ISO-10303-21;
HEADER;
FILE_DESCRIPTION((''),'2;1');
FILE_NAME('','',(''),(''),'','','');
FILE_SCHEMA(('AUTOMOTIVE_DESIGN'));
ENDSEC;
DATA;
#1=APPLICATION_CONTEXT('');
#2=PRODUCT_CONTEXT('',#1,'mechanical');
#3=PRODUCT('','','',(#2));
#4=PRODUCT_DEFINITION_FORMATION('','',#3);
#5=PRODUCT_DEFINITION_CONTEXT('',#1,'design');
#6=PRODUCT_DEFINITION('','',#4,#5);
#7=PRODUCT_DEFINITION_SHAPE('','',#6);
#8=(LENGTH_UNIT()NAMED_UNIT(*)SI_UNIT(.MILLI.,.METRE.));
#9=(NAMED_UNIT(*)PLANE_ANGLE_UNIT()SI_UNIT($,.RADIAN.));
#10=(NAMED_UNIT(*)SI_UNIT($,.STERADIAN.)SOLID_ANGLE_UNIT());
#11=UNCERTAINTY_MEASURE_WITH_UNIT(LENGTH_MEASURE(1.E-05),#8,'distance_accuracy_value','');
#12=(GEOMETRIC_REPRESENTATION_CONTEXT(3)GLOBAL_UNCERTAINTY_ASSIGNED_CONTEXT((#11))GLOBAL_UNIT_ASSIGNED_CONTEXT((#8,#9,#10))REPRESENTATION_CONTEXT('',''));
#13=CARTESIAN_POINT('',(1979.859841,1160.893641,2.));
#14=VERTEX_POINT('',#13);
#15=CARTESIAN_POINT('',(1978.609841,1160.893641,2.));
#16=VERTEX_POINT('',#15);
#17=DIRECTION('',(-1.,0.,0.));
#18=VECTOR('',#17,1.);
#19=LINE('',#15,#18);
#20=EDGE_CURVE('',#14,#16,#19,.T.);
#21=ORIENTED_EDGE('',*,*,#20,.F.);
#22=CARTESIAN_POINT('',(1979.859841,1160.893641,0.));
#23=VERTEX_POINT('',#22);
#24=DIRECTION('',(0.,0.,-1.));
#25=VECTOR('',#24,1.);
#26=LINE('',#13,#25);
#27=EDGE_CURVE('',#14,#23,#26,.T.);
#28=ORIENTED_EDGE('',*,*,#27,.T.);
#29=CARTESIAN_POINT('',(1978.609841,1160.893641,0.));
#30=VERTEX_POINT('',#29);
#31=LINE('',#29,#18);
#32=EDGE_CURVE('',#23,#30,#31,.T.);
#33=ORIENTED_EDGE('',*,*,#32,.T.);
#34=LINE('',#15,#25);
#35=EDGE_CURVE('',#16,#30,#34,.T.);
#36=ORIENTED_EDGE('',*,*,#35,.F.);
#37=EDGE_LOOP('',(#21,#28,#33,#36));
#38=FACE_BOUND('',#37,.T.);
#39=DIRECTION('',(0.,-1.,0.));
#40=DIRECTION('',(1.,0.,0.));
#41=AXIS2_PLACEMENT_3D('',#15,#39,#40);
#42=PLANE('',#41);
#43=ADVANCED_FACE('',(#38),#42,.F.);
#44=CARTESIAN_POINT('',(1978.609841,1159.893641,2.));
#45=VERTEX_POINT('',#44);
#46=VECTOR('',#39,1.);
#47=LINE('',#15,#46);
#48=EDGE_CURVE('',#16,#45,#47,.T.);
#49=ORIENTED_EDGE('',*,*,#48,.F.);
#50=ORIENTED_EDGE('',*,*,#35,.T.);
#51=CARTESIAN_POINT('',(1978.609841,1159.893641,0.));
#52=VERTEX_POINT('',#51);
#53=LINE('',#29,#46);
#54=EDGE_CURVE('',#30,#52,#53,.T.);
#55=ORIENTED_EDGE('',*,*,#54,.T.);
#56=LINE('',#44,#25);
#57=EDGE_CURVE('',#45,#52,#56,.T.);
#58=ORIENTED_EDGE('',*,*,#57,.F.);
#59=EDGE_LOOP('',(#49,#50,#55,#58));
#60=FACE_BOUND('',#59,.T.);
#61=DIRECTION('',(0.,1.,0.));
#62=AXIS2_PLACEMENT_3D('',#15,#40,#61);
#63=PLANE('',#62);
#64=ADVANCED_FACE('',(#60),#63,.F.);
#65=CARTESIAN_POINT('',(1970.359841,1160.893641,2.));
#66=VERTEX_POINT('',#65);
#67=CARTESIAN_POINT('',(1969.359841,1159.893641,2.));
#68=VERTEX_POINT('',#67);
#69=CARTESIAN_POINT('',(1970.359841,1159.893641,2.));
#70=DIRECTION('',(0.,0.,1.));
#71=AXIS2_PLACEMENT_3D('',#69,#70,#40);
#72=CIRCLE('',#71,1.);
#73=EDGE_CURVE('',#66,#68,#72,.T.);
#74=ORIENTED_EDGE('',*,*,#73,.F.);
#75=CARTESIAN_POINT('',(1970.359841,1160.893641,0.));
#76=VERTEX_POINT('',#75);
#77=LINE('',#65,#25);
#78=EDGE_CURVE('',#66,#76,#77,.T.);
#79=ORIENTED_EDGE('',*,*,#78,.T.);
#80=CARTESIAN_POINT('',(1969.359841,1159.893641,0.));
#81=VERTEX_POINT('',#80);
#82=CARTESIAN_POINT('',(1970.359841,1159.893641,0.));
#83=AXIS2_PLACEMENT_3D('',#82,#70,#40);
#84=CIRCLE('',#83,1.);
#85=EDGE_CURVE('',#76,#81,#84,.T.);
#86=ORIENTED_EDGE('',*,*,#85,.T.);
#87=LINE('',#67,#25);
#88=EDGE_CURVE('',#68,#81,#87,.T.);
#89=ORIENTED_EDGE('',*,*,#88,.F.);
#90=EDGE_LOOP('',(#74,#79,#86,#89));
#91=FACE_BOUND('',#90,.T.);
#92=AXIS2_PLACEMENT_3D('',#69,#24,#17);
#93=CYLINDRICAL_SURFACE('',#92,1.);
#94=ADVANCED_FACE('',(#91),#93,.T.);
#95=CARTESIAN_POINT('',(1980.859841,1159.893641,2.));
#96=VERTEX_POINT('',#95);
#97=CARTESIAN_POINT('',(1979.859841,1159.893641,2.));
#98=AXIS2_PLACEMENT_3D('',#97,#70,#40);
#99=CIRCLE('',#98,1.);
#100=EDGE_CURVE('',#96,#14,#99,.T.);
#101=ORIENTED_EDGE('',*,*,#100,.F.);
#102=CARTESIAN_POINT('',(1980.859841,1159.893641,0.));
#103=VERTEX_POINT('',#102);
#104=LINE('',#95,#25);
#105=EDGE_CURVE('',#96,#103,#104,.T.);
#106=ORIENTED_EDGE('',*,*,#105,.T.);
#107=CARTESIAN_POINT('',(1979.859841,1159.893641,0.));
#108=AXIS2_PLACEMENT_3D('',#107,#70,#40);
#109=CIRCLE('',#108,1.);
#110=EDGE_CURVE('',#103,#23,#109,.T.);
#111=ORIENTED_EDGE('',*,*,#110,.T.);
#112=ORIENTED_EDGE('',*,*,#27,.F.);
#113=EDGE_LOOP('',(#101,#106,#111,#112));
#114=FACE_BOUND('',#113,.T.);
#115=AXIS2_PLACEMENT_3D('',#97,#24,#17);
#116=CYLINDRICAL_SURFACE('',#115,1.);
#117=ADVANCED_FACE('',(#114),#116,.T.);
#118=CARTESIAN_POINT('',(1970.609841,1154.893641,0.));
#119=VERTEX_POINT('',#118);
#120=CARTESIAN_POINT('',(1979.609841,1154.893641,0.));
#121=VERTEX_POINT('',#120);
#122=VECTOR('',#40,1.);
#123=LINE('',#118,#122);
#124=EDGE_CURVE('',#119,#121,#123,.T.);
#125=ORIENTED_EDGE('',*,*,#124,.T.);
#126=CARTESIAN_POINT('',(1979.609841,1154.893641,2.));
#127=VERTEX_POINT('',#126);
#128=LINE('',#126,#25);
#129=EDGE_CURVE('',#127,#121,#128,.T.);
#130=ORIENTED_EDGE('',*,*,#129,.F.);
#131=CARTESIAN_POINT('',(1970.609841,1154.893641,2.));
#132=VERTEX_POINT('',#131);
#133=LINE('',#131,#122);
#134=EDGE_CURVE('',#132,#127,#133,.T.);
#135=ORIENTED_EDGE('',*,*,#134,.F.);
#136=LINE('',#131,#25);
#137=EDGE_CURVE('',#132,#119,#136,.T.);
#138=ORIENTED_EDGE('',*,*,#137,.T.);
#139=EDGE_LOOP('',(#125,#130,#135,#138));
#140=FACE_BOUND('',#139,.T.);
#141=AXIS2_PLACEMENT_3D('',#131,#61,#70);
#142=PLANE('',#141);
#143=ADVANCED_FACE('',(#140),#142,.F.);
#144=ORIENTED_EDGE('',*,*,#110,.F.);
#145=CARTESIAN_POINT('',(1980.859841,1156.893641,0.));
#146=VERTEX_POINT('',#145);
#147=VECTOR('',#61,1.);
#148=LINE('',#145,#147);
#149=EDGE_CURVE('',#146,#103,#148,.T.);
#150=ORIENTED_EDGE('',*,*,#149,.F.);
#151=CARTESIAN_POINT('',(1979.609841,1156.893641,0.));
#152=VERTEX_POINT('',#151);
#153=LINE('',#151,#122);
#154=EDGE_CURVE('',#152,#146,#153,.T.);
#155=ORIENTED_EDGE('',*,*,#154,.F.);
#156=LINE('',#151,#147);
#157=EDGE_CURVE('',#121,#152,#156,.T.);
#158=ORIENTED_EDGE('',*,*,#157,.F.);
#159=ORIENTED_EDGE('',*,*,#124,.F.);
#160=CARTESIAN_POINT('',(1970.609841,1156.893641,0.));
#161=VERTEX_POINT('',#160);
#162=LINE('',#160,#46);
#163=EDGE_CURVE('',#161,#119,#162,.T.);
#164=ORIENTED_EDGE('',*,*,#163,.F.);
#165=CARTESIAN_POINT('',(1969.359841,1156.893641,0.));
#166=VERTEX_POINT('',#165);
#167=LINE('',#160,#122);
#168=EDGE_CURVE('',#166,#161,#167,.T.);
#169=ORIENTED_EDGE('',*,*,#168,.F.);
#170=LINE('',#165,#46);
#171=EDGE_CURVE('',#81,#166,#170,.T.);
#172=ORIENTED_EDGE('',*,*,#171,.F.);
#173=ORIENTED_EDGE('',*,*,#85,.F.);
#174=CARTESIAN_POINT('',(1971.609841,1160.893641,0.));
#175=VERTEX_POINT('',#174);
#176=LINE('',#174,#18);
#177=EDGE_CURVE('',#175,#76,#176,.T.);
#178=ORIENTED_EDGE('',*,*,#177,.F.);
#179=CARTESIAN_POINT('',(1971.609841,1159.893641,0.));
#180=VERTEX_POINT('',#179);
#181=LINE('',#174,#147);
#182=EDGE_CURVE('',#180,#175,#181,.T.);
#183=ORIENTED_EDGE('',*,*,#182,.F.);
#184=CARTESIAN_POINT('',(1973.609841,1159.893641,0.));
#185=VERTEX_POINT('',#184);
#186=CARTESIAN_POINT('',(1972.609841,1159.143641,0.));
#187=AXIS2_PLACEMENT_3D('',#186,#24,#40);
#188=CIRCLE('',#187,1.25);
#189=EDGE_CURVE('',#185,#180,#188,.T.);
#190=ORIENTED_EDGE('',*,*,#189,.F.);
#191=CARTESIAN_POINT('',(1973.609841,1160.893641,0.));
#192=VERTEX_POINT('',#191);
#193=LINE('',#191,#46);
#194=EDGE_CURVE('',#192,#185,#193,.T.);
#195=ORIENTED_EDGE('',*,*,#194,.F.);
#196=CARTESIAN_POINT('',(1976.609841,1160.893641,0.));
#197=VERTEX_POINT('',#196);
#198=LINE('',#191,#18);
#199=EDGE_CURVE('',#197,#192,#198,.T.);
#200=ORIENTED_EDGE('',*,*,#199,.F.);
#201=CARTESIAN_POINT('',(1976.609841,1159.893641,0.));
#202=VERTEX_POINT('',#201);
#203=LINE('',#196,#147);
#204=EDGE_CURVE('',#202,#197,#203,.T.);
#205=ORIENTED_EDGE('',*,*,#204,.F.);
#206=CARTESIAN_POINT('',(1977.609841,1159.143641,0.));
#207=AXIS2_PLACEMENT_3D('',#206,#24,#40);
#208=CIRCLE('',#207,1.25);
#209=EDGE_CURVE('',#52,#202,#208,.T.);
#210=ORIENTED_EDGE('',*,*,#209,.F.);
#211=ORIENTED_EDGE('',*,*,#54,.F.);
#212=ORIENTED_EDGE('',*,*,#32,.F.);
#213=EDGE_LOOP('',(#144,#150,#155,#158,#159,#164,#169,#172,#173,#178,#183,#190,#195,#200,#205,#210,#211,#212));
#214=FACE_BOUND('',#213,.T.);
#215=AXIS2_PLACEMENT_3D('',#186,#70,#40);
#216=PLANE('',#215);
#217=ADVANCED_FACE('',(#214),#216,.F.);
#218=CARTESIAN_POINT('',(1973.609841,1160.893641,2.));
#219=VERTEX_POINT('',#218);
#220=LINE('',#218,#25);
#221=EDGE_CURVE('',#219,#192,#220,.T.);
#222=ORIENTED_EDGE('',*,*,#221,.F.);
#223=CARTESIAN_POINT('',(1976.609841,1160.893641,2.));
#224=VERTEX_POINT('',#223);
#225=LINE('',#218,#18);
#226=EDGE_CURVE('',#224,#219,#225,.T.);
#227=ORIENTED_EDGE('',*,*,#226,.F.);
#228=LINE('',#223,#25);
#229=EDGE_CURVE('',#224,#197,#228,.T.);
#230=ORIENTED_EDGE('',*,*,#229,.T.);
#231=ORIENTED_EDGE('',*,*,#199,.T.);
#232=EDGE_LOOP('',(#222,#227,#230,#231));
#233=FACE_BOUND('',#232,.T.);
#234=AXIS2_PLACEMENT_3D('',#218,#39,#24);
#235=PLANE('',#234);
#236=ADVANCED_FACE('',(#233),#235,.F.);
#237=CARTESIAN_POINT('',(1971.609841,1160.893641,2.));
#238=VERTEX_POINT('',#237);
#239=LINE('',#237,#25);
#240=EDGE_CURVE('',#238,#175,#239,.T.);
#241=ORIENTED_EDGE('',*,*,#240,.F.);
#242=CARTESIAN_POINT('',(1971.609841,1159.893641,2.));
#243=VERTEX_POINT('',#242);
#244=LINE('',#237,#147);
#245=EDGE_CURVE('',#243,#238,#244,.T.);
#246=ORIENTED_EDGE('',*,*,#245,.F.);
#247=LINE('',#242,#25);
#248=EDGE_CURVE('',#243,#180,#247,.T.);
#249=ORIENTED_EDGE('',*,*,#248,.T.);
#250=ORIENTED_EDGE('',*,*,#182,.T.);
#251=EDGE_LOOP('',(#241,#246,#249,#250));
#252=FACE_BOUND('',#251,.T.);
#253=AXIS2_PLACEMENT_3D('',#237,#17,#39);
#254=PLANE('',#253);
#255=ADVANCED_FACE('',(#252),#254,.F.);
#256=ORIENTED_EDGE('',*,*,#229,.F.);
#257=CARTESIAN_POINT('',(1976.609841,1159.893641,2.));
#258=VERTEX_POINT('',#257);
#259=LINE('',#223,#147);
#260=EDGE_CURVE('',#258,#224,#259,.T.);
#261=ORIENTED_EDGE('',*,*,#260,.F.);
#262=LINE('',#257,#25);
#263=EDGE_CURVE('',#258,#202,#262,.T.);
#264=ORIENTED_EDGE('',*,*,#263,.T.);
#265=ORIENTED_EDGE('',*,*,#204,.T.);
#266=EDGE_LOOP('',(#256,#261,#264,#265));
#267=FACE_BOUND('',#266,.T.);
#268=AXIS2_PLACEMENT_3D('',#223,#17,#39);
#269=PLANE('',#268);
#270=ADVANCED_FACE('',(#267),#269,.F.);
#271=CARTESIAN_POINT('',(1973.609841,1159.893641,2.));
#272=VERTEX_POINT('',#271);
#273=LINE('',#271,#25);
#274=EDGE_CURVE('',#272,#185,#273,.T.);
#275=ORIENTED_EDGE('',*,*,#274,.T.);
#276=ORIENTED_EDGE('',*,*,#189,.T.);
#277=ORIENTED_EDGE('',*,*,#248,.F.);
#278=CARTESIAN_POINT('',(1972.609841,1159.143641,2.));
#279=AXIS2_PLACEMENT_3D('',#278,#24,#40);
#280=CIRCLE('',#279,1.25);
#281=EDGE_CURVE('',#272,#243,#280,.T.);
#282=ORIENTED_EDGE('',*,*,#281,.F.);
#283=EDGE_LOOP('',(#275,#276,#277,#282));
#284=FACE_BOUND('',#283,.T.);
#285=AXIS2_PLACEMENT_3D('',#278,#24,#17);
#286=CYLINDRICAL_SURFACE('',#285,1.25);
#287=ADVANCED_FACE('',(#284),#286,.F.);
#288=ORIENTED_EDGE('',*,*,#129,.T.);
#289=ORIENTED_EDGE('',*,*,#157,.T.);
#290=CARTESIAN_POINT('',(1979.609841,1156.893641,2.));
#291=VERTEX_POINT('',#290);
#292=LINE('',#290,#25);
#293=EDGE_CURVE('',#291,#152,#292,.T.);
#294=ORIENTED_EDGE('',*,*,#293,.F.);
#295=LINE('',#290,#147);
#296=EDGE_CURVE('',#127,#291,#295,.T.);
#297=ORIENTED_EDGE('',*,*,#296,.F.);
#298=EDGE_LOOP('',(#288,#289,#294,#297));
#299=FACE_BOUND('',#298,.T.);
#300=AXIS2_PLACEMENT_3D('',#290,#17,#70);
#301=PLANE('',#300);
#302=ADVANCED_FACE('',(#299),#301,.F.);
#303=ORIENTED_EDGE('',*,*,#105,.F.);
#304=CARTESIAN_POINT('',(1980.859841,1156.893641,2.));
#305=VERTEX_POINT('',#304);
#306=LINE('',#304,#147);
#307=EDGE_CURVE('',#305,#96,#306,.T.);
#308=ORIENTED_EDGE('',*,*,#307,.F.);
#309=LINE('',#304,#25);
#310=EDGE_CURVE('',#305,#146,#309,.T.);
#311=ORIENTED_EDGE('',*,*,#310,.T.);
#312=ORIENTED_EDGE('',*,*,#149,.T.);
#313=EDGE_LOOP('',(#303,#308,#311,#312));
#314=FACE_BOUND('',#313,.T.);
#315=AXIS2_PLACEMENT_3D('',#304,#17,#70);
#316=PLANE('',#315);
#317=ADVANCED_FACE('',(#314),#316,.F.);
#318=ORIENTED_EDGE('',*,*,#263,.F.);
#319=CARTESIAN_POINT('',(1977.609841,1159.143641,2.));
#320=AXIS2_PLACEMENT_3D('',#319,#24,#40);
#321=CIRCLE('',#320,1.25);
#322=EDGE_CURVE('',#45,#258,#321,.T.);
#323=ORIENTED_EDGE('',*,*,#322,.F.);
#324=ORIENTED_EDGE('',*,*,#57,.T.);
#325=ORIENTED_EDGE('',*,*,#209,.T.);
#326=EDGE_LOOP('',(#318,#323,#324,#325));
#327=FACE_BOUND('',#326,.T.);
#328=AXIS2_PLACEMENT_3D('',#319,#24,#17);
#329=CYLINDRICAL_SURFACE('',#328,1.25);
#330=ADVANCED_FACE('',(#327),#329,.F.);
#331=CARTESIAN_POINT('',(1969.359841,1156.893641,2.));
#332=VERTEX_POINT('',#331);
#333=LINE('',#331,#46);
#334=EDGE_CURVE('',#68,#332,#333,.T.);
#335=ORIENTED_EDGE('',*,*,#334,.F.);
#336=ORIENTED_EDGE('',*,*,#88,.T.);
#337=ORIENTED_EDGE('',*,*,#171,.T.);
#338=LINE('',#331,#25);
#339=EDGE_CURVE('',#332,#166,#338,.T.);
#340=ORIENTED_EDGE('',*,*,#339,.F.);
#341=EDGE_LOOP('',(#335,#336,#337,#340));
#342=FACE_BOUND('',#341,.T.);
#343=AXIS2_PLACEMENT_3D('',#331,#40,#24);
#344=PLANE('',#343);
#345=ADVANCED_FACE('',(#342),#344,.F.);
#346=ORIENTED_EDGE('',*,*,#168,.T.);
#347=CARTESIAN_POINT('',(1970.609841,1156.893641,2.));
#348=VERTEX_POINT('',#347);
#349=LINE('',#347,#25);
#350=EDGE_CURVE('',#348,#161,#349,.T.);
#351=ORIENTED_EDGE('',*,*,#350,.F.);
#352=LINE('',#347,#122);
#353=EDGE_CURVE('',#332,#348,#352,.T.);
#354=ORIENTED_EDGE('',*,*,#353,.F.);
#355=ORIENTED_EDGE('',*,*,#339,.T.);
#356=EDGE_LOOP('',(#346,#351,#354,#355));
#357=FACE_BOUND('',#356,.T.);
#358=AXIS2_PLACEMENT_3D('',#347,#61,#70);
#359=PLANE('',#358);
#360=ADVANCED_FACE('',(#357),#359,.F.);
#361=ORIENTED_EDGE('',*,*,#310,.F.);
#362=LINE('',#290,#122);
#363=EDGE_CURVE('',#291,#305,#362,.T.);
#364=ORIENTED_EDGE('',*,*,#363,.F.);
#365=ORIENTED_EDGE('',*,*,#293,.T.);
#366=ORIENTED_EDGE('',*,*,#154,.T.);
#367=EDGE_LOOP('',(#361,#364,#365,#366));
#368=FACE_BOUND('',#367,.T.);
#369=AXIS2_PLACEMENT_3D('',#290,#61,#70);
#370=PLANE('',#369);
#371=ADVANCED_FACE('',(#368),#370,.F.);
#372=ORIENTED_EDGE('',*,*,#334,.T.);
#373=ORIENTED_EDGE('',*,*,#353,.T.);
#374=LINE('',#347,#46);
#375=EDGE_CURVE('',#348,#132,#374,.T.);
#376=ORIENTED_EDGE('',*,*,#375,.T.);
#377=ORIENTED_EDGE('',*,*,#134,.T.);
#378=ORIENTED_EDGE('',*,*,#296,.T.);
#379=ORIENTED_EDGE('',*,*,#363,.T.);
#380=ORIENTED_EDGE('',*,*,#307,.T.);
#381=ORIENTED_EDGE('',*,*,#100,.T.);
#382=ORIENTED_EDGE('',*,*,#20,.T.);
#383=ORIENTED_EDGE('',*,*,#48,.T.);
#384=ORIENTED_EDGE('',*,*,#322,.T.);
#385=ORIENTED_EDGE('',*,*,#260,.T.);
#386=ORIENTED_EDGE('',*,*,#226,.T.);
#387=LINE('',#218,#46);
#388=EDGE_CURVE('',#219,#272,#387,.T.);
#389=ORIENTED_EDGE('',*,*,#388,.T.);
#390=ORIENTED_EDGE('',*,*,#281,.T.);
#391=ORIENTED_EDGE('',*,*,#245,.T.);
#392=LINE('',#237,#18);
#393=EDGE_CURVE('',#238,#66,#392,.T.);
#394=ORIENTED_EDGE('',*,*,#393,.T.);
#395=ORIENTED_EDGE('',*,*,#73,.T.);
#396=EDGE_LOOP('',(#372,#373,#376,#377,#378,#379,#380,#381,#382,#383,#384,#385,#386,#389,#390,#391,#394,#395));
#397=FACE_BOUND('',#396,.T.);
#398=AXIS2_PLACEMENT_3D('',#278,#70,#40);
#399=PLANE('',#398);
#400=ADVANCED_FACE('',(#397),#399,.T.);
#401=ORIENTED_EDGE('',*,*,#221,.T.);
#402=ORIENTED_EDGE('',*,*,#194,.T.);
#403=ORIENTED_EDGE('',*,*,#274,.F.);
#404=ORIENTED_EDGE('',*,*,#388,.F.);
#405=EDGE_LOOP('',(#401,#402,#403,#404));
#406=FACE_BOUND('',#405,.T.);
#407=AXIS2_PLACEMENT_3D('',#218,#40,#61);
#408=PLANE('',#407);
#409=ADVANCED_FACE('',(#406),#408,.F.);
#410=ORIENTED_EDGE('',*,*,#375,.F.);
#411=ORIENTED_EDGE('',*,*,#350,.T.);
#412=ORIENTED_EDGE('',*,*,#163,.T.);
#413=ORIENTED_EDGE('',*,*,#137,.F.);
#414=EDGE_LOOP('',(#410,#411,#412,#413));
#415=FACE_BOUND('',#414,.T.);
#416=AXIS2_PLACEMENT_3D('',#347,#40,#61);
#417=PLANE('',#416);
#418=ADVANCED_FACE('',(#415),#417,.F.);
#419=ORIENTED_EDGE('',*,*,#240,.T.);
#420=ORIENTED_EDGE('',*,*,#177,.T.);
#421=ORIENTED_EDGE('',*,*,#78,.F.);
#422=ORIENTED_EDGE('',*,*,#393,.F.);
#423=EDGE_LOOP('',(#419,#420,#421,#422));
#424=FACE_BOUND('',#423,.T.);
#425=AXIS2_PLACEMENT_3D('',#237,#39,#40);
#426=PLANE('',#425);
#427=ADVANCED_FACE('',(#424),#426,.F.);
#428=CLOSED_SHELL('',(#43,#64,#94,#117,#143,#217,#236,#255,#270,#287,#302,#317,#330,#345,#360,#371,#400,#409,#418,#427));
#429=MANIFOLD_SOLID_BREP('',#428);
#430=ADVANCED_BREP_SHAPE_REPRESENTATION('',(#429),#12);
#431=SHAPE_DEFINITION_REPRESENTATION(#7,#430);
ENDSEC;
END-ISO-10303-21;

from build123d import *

# Parameters (mm, degrees)
BOSS_EXTRUDE1_DEPTH = 2


with BuildPart() as part:
    # Model → Boss-Extrude1 (new body)
    with BuildSketch(Plane.XY):
        with BuildLine():
            Line((1971.609841287, 1160.893641222), (1971.609841287, 1159.893641222))
            ThreePointArc((1971.609841287, 1159.893641222), (1972.609841287, 1157.893641222), (1973.609841287, 1159.893641222))
            Line((1973.609841287, 1159.893641222), (1973.609841287, 1160.893641222))
            Line((1973.609841287, 1160.893641222), (1976.609841287, 1160.893641222))
            Line((1976.609841287, 1160.893641222), (1976.609841287, 1159.893641222))
            ThreePointArc((1976.609841287, 1159.893641222), (1977.609841287, 1157.893641222), (1978.609841287, 1159.893641222))
            Line((1978.609841287, 1159.893641222), (1978.609841287, 1160.893641222))
            Line((1978.609841287, 1160.893641222), (1979.859841287, 1160.893641222))
            ThreePointArc((1979.859841287, 1160.893641222), (1980.566948068, 1160.600748003), (1980.859841287, 1159.893641222))
            Line((1980.859841287, 1159.893641222), (1980.859841287, 1156.893641222))
            Line((1980.859841287, 1156.893641222), (1979.609841287, 1156.893641222))
            Line((1979.609841287, 1156.893641222), (1979.609841287, 1154.893641222))
            Line((1979.609841287, 1154.893641222), (1970.609841287, 1154.893641222))
            Line((1970.609841287, 1154.893641222), (1970.609841287, 1156.893641222))
            Line((1970.609841287, 1156.893641222), (1969.359841287, 1156.893641222))
            Line((1969.359841287, 1156.893641222), (1969.359841287, 1159.893641222))
            ThreePointArc((1969.359841287, 1159.893641222), (1969.652734505, 1160.600748003), (1970.359841287, 1160.893641222))
            Line((1970.359841287, 1160.893641222), (1971.609841287, 1160.893641222))
        make_face()
    extrude(amount=BOSS_EXTRUDE1_DEPTH)


solid = part.part
